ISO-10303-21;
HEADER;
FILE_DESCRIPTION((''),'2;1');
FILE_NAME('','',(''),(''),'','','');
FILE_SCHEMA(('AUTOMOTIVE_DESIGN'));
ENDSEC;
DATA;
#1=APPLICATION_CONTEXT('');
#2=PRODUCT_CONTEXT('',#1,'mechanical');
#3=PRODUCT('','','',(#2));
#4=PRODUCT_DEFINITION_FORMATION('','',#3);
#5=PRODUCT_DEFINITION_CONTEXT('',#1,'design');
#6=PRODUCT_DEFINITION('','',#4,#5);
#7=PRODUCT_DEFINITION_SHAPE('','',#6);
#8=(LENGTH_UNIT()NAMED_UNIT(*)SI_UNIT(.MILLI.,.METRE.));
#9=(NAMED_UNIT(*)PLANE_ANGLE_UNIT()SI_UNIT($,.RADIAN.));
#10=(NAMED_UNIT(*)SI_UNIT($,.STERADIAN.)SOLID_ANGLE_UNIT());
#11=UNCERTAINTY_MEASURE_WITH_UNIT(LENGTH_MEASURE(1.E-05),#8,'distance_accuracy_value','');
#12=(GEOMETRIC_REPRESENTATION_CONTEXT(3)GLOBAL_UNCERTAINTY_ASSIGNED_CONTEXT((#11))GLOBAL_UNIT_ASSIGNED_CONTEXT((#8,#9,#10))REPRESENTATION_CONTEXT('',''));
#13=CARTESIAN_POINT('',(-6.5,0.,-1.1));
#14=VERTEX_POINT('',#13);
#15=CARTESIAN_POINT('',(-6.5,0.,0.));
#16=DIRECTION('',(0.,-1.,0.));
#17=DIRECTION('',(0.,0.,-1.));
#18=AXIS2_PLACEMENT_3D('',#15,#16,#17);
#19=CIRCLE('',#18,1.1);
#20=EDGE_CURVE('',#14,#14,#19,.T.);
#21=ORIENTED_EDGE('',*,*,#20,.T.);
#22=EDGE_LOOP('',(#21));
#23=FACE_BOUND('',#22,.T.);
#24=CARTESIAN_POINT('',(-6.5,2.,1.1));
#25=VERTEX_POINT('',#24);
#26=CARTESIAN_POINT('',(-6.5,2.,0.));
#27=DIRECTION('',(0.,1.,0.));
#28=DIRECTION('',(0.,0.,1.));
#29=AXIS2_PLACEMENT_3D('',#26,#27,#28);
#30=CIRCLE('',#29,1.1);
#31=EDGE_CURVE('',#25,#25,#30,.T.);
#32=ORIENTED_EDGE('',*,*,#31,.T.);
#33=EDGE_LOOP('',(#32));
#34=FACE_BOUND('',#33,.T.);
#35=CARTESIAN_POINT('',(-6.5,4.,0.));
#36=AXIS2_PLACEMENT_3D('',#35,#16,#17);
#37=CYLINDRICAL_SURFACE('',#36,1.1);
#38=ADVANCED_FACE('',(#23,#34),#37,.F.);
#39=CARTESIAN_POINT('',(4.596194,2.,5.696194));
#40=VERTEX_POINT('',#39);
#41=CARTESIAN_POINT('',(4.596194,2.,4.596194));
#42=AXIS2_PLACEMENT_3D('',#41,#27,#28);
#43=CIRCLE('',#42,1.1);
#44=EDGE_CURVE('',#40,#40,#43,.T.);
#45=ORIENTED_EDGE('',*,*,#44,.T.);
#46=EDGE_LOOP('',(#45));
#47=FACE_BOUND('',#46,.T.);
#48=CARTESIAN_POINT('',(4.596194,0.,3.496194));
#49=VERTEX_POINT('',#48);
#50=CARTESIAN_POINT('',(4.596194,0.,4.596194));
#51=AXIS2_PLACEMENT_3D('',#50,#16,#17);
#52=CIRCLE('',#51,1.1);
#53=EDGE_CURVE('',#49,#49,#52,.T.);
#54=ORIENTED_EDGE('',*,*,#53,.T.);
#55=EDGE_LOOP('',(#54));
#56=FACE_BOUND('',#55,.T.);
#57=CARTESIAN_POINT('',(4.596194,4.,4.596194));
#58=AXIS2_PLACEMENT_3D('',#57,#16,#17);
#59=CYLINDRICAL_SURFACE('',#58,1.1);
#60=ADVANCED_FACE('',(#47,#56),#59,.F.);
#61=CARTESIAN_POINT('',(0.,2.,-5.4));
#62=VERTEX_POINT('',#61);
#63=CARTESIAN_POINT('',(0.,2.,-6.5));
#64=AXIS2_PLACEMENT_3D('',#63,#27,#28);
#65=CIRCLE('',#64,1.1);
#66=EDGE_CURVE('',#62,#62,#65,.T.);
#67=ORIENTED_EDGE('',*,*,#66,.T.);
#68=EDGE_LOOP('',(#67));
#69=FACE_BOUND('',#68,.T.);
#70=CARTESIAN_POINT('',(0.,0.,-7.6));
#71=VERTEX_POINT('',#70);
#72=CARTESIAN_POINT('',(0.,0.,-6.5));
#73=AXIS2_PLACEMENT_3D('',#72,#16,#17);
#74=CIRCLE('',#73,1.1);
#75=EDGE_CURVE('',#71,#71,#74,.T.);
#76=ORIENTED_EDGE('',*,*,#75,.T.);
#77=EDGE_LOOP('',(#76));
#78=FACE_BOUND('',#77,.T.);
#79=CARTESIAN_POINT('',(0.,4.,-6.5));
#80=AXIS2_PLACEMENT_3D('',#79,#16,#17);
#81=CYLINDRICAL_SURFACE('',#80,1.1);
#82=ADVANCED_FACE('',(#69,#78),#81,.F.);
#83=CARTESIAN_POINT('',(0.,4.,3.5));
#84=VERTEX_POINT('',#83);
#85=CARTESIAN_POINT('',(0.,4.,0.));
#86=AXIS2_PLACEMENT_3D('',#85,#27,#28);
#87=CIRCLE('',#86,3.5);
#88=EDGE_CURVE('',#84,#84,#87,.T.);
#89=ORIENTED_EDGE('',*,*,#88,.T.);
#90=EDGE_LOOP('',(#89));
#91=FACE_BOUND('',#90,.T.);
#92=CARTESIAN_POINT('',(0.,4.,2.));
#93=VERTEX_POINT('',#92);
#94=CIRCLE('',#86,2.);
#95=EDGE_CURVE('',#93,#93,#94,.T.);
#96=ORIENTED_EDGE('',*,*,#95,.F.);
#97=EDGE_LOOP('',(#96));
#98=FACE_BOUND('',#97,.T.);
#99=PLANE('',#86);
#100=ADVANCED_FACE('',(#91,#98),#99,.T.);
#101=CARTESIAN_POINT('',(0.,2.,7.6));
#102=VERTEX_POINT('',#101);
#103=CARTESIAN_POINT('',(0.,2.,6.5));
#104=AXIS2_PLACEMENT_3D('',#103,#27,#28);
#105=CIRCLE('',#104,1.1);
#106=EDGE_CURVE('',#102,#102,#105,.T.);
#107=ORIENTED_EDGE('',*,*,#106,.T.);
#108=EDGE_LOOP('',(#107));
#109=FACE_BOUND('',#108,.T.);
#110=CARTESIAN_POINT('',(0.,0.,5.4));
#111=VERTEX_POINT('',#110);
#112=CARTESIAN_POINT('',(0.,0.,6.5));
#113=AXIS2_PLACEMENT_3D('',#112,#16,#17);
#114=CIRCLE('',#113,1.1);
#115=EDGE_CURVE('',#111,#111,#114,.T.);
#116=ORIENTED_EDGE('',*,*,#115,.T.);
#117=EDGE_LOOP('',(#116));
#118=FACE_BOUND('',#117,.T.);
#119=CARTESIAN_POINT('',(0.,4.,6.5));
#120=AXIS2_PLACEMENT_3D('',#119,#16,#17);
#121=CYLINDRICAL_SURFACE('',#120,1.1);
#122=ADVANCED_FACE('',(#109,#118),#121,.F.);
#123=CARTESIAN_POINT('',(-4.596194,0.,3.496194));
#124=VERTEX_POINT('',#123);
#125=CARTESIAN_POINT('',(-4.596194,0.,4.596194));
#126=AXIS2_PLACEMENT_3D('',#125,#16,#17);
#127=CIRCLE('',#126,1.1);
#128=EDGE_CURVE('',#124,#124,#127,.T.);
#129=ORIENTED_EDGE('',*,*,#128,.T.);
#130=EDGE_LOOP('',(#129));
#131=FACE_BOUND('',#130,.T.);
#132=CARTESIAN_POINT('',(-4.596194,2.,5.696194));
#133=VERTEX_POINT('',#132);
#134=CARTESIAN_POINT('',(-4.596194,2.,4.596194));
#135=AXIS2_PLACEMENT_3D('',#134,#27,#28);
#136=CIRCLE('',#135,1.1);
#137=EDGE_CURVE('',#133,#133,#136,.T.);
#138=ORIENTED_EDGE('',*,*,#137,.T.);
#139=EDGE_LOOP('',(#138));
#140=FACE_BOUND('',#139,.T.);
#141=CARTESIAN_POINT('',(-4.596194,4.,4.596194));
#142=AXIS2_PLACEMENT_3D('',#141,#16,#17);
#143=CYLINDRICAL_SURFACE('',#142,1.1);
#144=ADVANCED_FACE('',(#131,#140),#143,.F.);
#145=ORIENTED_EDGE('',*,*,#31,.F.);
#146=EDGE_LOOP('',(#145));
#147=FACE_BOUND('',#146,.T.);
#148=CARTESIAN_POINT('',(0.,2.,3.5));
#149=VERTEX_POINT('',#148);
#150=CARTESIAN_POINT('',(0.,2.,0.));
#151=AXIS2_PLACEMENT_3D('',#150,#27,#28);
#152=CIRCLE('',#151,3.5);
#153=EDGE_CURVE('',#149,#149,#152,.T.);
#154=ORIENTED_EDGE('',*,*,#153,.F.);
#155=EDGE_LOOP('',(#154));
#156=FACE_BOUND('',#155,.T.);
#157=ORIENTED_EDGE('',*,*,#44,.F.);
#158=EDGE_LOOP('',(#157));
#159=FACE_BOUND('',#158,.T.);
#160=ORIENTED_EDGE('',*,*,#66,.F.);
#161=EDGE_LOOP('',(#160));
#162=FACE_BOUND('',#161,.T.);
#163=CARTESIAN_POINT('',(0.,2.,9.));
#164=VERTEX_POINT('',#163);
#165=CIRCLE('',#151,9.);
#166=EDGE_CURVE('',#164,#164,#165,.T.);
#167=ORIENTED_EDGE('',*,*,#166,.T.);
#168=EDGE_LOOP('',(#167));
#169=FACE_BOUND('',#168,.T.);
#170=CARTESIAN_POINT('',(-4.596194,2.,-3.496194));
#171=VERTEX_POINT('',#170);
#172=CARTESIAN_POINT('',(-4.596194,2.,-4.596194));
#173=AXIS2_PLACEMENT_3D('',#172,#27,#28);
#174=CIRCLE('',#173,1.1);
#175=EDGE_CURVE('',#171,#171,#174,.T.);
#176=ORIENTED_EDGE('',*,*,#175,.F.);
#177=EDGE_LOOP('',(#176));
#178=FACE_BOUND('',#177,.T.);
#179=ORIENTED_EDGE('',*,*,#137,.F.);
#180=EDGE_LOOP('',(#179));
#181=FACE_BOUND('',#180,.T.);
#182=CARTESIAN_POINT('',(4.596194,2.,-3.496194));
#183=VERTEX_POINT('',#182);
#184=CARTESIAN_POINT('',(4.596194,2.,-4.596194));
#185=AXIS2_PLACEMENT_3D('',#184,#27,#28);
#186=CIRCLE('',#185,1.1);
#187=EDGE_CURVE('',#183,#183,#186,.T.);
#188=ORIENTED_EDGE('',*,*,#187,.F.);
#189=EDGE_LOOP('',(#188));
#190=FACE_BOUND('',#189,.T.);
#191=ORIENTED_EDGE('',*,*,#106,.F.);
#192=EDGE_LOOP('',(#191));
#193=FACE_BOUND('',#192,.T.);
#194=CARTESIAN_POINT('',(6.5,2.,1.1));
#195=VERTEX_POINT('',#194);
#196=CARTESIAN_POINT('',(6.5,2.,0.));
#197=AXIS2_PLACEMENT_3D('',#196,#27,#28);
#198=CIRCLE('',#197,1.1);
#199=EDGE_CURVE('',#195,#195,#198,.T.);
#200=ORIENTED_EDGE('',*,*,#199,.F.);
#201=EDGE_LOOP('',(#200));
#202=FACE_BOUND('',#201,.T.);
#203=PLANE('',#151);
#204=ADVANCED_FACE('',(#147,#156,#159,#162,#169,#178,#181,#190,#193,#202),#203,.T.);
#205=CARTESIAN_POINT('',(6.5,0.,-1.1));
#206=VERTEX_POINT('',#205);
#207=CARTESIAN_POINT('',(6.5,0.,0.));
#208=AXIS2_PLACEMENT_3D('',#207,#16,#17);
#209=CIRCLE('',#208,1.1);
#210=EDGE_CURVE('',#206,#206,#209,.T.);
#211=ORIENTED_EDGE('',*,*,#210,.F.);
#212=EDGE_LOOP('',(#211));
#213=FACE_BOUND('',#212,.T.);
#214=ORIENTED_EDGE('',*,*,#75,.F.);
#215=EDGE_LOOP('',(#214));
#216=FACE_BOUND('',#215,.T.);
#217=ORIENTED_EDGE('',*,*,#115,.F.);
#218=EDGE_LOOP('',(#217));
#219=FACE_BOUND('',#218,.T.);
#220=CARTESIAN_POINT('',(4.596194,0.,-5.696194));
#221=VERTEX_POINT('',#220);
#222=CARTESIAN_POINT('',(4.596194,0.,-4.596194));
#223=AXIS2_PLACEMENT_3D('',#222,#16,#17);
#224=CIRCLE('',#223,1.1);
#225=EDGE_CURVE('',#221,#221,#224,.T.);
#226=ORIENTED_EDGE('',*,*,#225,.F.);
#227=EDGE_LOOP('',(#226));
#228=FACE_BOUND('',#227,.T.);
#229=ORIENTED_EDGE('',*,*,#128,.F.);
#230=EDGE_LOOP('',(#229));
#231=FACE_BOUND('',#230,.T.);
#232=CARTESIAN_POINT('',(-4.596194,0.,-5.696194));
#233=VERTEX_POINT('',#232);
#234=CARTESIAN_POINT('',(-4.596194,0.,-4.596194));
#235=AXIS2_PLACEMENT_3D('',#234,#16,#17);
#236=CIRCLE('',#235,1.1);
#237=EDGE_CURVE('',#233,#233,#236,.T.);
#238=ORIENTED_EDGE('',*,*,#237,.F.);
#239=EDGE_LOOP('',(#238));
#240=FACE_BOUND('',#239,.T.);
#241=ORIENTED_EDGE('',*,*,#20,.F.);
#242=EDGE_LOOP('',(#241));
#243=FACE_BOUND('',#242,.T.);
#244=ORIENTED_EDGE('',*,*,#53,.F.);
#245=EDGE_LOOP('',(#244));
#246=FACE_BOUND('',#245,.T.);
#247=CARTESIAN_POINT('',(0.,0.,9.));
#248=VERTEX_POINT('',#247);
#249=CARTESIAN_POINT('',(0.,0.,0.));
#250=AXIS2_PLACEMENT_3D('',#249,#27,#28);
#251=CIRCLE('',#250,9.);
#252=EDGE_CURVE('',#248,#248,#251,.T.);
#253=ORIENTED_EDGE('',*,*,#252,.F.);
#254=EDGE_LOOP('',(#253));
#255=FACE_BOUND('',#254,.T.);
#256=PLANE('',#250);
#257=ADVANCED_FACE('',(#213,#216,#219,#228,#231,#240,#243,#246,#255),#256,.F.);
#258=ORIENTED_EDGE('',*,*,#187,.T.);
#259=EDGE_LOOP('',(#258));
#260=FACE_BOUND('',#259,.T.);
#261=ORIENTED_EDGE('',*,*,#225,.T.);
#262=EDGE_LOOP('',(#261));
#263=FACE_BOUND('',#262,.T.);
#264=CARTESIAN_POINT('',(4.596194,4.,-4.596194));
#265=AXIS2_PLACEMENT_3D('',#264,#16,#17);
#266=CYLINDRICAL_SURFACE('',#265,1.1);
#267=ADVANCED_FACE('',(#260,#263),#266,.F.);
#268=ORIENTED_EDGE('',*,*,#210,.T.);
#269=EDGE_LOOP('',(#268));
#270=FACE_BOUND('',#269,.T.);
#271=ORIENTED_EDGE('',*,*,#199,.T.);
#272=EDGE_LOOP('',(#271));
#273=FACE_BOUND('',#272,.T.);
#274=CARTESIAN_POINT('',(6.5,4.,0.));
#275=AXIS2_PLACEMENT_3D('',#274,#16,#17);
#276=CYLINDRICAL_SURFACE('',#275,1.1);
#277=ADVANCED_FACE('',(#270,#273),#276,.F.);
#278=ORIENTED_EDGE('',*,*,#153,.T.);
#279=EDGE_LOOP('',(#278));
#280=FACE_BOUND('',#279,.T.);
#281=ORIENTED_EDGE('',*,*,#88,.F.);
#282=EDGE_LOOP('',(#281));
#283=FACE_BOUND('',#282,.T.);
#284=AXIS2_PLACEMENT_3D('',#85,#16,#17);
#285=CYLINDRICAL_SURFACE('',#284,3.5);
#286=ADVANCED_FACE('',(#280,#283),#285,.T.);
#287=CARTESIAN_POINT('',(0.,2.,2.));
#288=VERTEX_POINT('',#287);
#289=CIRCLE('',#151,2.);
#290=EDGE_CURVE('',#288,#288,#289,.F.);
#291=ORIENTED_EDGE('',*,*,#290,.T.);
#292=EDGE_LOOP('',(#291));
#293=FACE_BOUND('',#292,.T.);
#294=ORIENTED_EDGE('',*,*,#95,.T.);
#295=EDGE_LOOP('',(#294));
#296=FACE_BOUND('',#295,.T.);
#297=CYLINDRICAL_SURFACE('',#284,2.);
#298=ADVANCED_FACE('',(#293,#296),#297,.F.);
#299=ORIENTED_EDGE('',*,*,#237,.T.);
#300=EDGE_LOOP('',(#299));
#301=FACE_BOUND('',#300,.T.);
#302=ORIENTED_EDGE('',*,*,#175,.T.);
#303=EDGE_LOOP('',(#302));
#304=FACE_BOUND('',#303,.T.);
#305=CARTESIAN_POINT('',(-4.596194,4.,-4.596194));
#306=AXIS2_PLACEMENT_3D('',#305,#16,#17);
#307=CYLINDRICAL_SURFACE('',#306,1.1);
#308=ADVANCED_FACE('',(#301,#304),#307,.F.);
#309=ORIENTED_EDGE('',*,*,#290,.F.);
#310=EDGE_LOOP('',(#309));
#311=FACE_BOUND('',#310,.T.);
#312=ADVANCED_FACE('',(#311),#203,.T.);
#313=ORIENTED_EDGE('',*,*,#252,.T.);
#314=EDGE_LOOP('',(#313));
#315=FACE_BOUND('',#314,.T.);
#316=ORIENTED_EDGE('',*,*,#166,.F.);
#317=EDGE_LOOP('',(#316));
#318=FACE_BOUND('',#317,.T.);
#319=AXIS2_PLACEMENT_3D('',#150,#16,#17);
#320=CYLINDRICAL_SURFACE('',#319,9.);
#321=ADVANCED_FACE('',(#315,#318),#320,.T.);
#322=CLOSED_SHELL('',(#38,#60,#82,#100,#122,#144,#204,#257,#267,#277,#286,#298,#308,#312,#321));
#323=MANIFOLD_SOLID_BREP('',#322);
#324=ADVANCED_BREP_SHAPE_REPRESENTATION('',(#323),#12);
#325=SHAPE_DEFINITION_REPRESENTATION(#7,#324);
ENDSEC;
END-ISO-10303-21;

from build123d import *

# Parameters (mm, degrees)
SKETCH_1_R          = 9
EXTRUDE_1_DEPTH     = 2
SKETCH_2_R          = 3.5
SKETCH_2_R_2        = 2
EXTRUDE_2_DEPTH     = 2
SKETCH_3_R          = 1.1
CUT_EXTRUDE_1_DEPTH = 14.341664064


with BuildPart() as part:
    # 草图1 → 凸台-拉伸1 (new body)
    with BuildSketch(Plane(origin=(0, 0, 0), x_dir=(1, 0, 0), z_dir=(0, 1, 0))):
        with Locations(Location((0, 0, 0), (0, 0, 270))):
            Circle(SKETCH_1_R)
    extrude(amount=EXTRUDE_1_DEPTH)

    # 草图2 → 凸台-拉伸2 (add)
    with BuildSketch(Plane(origin=(0, 2, 0), x_dir=(1, 0, 0), z_dir=(0, 1, 0))):
        with Locations(Location((0, 0, 0), (0, 0, 270))):
            Circle(SKETCH_2_R)
        with Locations(Location((0, 0, 0), (0, 0, 270))):
            Circle(SKETCH_2_R_2, mode=Mode.SUBTRACT)
    extrude(amount=EXTRUDE_2_DEPTH)

    # 草图3 → 切除-拉伸1 (cut, through all)
    with BuildSketch(Plane.XZ):
        with Locations(Location((0, 6.5, 0), (0, 0, 270))):
            Circle(SKETCH_3_R)
        with Locations(Location((4.596194078, 4.596194078, 0), (0, 0, 270))):
            Circle(SKETCH_3_R)
        with Locations(Location((6.5, 0, 0), (0, 0, 270))):
            Circle(SKETCH_3_R)
        with Locations(Location((4.596194078, -4.596194078, 0), (0, 0, 270))):
            Circle(SKETCH_3_R)
        with Locations(Location((0, -6.5, 0), (0, 0, 270))):
            Circle(SKETCH_3_R)
        with Locations(Location((-4.596194078, -4.596194078, 0), (0, 0, 270))):
            Circle(SKETCH_3_R)
        with Locations(Location((-6.5, 0, 0), (0, 0, 270))):
            Circle(SKETCH_3_R)
        with Locations(Location((-4.596194078, 4.596194078, 0), (0, 0, 270))):
            Circle(SKETCH_3_R)
    extrude(amount=-CUT_EXTRUDE_1_DEPTH, mode=Mode.SUBTRACT)


solid = part.part
